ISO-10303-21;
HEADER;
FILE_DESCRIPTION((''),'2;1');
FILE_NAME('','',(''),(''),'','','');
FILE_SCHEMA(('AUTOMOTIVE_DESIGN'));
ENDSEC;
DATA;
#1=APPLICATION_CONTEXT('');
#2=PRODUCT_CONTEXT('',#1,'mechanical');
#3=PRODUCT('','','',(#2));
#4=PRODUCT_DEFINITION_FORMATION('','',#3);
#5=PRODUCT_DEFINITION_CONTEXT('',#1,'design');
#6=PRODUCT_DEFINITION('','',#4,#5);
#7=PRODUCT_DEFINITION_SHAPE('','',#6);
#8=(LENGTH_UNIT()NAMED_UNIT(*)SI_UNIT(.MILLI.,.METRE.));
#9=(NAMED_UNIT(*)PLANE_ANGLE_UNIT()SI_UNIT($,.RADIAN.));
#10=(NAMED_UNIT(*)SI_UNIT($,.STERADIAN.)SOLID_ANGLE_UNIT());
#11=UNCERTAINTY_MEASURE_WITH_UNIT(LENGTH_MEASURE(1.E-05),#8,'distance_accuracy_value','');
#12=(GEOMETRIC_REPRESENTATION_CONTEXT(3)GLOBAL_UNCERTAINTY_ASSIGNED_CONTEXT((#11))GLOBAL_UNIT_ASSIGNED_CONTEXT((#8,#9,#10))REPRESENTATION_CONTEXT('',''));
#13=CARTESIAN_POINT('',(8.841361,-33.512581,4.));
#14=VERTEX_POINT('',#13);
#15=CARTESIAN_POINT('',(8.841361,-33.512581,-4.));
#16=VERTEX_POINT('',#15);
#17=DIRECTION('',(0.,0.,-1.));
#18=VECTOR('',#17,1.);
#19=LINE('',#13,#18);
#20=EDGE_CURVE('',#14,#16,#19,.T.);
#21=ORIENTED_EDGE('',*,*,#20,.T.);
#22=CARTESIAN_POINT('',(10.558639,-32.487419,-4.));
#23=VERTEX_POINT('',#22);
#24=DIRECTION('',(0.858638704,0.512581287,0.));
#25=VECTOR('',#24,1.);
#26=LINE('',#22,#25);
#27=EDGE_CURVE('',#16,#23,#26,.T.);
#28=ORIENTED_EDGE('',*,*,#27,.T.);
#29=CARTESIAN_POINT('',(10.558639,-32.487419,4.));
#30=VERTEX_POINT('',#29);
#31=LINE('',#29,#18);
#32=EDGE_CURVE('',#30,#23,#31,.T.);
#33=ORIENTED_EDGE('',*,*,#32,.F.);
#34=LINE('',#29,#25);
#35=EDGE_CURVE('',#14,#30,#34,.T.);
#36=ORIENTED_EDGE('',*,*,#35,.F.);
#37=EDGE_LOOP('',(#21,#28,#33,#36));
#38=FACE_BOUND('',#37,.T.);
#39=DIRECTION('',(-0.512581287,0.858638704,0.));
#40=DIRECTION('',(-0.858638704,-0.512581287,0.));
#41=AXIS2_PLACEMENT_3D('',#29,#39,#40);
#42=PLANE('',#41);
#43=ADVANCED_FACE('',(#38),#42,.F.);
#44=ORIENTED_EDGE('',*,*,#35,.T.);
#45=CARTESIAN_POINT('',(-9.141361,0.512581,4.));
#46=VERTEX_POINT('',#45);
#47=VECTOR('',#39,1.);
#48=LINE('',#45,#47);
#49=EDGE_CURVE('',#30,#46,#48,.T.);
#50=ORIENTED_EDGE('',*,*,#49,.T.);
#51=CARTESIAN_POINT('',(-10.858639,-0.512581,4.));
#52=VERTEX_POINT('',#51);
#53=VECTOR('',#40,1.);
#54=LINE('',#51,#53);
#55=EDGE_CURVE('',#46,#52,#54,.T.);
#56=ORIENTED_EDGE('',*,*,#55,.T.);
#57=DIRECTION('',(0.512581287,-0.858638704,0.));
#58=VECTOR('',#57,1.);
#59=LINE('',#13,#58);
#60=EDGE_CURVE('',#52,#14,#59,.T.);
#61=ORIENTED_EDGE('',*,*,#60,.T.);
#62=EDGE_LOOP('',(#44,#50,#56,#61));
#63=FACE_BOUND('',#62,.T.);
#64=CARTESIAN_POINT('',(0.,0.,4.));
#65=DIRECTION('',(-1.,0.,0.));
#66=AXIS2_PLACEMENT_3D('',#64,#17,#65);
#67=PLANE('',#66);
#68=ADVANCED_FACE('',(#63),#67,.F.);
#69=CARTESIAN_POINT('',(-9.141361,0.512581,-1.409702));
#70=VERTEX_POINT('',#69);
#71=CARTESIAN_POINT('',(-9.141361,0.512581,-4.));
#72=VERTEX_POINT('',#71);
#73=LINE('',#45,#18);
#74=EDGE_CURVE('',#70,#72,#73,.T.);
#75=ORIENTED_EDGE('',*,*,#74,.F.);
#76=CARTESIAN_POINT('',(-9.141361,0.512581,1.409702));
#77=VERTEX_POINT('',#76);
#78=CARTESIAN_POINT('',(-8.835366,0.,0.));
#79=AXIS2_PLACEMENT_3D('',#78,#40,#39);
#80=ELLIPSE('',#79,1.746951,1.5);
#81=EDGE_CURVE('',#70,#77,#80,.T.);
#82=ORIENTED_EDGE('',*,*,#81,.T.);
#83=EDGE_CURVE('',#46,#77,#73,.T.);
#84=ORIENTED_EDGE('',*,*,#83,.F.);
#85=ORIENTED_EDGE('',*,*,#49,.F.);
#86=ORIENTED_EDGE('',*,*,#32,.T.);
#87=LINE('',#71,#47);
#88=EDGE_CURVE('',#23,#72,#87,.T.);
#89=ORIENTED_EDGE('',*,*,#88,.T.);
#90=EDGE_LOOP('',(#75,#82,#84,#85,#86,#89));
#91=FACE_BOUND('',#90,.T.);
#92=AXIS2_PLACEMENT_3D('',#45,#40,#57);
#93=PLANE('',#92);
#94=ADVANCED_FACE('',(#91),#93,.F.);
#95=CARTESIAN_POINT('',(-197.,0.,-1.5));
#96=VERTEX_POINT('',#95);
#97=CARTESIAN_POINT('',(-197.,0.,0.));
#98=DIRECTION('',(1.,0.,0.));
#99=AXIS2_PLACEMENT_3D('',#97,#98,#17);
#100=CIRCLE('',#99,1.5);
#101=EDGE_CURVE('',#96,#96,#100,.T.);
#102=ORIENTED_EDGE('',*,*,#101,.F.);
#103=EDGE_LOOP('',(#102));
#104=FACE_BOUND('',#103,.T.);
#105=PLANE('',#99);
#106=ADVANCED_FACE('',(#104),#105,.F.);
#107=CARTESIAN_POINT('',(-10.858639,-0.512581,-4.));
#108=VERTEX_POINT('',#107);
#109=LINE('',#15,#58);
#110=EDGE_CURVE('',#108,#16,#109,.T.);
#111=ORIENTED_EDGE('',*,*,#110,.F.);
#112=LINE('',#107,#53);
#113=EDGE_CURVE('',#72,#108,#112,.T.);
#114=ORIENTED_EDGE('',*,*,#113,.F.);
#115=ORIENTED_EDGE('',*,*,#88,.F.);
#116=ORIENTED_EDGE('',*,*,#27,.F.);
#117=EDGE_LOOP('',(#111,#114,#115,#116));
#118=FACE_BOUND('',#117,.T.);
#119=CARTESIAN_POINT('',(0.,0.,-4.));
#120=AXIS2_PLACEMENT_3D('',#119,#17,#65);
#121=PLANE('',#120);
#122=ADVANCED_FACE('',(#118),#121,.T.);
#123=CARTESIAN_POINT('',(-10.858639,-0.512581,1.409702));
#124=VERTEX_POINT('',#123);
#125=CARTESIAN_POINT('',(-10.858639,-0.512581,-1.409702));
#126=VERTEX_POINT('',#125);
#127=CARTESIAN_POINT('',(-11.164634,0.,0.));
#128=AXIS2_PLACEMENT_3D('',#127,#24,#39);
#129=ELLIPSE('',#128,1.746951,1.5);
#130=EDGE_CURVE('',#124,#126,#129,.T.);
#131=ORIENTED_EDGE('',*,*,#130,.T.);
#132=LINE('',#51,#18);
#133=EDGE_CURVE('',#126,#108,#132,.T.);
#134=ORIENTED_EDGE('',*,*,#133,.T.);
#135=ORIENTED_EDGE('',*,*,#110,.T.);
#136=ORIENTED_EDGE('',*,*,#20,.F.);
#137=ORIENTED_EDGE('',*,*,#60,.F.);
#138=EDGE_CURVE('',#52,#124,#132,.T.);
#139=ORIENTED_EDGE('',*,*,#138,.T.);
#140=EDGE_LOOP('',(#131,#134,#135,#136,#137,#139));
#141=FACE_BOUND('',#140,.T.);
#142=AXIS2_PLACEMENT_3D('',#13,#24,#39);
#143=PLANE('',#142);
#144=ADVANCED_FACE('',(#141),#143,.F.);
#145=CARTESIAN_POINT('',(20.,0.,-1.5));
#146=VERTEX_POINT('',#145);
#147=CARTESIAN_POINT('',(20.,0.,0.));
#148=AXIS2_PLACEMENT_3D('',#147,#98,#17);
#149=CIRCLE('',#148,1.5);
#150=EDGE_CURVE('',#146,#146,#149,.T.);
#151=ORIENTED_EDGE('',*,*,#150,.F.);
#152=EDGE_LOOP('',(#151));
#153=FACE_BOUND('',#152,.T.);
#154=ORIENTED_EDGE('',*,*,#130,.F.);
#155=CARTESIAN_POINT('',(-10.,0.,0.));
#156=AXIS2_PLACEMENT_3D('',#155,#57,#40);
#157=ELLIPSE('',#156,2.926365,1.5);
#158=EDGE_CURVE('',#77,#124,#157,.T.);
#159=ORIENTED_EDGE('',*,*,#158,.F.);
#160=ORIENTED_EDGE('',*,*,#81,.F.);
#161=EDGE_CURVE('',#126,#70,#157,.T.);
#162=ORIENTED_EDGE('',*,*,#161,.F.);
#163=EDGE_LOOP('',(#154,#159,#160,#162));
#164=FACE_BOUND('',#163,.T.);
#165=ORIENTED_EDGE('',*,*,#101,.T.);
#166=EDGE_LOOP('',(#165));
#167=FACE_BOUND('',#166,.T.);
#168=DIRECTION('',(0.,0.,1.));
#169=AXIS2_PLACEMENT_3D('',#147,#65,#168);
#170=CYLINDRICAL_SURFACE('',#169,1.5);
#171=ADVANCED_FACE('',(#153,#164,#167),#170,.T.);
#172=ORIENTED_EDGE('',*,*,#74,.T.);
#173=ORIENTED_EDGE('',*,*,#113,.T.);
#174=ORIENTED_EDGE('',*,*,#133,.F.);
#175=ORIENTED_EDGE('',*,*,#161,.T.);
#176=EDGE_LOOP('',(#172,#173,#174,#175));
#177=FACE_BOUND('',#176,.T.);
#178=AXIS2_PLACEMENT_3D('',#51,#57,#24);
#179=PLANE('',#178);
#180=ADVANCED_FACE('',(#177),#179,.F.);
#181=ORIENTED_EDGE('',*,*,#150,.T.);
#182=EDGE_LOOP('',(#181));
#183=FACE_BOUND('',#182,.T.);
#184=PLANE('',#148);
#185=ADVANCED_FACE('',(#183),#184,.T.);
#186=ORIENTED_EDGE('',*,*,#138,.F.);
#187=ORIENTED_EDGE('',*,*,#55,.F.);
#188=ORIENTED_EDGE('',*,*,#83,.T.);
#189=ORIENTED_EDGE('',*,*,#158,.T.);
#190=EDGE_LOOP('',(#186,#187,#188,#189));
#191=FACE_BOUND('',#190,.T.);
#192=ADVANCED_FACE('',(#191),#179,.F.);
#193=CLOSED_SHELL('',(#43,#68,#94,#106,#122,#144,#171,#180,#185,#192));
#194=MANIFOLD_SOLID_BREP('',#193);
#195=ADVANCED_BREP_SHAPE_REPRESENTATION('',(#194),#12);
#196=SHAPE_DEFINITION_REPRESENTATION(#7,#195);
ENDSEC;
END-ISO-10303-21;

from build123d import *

# Parameters (mm, degrees)
BOSS_EXTRUDE1_START = -197
SKETCH1_R           = 1.5
BOSS_EXTRUDE1_DEPTH = 217
BOSS_EXTRUDE2_START = -4
BOSS_EXTRUDE2_DEPTH = 8


with BuildPart() as part:
    # Sketch1 → Boss-Extrude1 (new body)
    with BuildSketch(Plane(origin=(0, 0, 0), x_dir=(0, 0, -1), z_dir=(1, 0, 0)).offset(BOSS_EXTRUDE1_START)):
        Circle(SKETCH1_R)
    extrude(amount=BOSS_EXTRUDE1_DEPTH)

    # Sketch2 → Boss-Extrude2 (add)
    with BuildSketch(Plane.XY.offset(BOSS_EXTRUDE2_START)):
        Polygon((-10.858638704, -0.512581287), (-9.141361296, 0.512581287), (10.558638704, -32.487418713), (8.841361296, -33.512581287), align=None)
    extrude(amount=BOSS_EXTRUDE2_DEPTH)


solid = part.part
